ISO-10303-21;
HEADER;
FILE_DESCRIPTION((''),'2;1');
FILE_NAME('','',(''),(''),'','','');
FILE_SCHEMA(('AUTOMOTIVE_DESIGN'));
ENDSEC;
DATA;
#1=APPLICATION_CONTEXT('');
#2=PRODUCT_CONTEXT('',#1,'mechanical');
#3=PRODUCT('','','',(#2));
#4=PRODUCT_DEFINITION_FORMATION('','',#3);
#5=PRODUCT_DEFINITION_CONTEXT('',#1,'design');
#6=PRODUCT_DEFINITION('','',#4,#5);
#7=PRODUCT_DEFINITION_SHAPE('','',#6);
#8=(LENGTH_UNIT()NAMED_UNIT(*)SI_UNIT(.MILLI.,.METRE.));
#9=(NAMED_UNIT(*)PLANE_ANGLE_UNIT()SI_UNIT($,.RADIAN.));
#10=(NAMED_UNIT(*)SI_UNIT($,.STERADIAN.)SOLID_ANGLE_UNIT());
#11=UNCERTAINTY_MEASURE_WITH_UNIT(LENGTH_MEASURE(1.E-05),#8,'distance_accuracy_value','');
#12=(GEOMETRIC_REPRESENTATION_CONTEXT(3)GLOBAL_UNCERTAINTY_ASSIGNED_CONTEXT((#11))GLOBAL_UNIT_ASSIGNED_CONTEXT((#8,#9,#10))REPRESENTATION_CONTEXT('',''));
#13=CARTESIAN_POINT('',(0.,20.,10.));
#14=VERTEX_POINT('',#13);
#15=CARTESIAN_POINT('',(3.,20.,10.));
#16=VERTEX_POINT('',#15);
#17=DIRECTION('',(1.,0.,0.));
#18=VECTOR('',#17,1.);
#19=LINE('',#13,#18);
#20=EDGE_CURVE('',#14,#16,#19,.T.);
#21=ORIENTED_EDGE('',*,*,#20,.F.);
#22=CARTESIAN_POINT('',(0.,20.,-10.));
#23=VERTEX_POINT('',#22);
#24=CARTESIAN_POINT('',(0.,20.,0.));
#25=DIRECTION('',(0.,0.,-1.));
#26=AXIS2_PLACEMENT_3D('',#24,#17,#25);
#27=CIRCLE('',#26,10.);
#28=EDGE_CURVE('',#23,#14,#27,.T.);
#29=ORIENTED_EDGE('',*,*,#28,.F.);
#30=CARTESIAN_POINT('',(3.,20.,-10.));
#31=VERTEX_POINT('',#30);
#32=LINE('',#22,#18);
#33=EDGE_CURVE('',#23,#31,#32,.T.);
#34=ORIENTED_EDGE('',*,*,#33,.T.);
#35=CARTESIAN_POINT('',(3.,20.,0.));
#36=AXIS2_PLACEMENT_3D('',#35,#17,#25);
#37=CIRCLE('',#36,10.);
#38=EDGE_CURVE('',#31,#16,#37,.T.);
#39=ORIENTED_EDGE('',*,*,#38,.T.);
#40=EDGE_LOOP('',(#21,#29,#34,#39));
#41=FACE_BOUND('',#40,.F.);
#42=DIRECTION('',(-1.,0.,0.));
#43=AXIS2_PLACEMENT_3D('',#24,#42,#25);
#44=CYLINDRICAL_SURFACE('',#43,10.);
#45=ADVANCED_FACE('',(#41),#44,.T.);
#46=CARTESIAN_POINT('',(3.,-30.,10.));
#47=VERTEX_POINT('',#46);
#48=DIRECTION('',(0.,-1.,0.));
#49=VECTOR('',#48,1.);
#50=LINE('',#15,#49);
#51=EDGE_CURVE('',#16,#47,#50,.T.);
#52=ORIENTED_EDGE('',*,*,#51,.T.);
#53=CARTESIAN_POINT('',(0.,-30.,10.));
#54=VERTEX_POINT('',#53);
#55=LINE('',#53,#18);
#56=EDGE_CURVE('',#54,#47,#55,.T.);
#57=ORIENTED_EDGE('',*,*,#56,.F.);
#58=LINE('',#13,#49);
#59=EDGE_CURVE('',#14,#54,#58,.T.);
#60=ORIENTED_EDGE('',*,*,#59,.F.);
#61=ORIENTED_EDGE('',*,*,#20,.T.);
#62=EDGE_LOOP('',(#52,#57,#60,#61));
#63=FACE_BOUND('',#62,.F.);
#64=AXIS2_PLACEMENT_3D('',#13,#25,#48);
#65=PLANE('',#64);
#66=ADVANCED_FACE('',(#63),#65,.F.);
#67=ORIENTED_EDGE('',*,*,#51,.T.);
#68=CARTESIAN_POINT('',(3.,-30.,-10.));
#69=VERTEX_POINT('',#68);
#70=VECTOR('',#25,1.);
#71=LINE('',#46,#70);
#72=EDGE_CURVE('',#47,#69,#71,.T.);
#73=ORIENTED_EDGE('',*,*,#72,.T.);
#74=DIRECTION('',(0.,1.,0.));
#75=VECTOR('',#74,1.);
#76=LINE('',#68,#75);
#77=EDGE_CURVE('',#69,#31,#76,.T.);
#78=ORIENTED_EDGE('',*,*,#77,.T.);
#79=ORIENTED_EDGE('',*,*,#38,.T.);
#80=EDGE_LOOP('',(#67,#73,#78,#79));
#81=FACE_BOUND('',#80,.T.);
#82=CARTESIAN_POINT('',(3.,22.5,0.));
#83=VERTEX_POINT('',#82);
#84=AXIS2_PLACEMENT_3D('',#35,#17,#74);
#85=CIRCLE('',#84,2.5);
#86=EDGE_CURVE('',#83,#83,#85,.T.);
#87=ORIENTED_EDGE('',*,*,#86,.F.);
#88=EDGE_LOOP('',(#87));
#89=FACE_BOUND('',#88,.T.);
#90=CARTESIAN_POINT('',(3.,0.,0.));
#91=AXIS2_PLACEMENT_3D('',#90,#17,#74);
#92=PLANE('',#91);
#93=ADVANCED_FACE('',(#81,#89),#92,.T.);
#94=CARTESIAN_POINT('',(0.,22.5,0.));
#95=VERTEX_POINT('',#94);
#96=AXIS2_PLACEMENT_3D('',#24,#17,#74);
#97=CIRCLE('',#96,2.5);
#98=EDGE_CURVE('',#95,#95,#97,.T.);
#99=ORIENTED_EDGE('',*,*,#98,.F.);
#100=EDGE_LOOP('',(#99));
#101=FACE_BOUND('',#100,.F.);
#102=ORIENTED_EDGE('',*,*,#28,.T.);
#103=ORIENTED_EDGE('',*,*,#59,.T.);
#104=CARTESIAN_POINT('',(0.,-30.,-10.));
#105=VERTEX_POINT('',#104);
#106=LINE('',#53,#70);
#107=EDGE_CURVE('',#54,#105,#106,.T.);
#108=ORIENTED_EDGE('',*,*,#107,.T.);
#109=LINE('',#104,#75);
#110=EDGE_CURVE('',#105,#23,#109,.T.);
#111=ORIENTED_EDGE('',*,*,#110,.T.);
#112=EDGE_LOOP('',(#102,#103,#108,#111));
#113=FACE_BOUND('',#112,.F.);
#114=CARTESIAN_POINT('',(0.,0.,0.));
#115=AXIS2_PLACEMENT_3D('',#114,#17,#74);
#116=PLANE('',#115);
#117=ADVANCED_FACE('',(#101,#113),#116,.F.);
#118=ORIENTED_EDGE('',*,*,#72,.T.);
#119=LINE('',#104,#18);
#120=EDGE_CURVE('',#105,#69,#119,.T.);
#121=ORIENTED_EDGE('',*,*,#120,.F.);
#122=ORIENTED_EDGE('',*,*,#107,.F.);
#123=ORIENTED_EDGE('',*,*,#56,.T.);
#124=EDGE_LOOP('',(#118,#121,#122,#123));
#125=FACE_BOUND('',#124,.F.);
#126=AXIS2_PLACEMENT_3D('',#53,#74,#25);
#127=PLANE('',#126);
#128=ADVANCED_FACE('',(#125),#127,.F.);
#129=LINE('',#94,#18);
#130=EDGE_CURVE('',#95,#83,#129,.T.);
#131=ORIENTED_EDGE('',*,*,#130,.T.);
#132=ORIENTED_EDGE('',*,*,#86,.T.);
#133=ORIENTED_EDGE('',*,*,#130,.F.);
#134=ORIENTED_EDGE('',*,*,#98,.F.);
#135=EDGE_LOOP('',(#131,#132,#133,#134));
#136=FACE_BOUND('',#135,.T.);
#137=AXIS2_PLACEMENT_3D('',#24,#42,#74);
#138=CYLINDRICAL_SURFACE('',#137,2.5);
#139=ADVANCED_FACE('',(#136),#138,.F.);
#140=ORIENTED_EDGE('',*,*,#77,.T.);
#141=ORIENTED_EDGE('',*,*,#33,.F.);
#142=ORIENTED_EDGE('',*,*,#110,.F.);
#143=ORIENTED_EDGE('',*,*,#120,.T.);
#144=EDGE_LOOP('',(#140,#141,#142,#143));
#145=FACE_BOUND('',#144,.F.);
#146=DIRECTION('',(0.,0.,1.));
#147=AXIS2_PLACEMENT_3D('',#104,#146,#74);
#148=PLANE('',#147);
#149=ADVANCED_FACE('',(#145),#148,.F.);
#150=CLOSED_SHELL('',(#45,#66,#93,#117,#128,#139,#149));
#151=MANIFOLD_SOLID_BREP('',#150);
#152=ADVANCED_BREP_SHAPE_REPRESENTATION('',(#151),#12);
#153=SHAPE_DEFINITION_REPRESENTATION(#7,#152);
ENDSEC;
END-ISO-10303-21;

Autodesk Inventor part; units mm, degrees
ref_plane "YZ Plane" through (0, 0, 0) normal (1, 0, 0) x (0, 1, 0)
ref_plane "XZ Plane" through (0, 0, 0) normal (0, 1, 0) x (-1, 0, 0)
ref_plane "XY Plane" through (0, 0, 0) normal (0, 0, 1) x (1, 0, 0)
sketch "Sketch1" plane through (0, 0, 0) normal (1, 0, 0) x (0, 1, 0)
  line L0 (20, 10) -> (-30, 10)
  line L1 (-30, 10) -> (-30, -10)
  line L2 (-30, -10) -> (20, -10)
  arc A0 (20, -10) -> (20, 10) centre (20, 0) ccw
  circle A1 centre (20, 0) radius 2.5
  point P0 (0, 0)
extrude "Extrusion1" add sketch "Sketch1" along normal blind 3
properties part number "Conveyor Stand" material "Pine, Southern"
